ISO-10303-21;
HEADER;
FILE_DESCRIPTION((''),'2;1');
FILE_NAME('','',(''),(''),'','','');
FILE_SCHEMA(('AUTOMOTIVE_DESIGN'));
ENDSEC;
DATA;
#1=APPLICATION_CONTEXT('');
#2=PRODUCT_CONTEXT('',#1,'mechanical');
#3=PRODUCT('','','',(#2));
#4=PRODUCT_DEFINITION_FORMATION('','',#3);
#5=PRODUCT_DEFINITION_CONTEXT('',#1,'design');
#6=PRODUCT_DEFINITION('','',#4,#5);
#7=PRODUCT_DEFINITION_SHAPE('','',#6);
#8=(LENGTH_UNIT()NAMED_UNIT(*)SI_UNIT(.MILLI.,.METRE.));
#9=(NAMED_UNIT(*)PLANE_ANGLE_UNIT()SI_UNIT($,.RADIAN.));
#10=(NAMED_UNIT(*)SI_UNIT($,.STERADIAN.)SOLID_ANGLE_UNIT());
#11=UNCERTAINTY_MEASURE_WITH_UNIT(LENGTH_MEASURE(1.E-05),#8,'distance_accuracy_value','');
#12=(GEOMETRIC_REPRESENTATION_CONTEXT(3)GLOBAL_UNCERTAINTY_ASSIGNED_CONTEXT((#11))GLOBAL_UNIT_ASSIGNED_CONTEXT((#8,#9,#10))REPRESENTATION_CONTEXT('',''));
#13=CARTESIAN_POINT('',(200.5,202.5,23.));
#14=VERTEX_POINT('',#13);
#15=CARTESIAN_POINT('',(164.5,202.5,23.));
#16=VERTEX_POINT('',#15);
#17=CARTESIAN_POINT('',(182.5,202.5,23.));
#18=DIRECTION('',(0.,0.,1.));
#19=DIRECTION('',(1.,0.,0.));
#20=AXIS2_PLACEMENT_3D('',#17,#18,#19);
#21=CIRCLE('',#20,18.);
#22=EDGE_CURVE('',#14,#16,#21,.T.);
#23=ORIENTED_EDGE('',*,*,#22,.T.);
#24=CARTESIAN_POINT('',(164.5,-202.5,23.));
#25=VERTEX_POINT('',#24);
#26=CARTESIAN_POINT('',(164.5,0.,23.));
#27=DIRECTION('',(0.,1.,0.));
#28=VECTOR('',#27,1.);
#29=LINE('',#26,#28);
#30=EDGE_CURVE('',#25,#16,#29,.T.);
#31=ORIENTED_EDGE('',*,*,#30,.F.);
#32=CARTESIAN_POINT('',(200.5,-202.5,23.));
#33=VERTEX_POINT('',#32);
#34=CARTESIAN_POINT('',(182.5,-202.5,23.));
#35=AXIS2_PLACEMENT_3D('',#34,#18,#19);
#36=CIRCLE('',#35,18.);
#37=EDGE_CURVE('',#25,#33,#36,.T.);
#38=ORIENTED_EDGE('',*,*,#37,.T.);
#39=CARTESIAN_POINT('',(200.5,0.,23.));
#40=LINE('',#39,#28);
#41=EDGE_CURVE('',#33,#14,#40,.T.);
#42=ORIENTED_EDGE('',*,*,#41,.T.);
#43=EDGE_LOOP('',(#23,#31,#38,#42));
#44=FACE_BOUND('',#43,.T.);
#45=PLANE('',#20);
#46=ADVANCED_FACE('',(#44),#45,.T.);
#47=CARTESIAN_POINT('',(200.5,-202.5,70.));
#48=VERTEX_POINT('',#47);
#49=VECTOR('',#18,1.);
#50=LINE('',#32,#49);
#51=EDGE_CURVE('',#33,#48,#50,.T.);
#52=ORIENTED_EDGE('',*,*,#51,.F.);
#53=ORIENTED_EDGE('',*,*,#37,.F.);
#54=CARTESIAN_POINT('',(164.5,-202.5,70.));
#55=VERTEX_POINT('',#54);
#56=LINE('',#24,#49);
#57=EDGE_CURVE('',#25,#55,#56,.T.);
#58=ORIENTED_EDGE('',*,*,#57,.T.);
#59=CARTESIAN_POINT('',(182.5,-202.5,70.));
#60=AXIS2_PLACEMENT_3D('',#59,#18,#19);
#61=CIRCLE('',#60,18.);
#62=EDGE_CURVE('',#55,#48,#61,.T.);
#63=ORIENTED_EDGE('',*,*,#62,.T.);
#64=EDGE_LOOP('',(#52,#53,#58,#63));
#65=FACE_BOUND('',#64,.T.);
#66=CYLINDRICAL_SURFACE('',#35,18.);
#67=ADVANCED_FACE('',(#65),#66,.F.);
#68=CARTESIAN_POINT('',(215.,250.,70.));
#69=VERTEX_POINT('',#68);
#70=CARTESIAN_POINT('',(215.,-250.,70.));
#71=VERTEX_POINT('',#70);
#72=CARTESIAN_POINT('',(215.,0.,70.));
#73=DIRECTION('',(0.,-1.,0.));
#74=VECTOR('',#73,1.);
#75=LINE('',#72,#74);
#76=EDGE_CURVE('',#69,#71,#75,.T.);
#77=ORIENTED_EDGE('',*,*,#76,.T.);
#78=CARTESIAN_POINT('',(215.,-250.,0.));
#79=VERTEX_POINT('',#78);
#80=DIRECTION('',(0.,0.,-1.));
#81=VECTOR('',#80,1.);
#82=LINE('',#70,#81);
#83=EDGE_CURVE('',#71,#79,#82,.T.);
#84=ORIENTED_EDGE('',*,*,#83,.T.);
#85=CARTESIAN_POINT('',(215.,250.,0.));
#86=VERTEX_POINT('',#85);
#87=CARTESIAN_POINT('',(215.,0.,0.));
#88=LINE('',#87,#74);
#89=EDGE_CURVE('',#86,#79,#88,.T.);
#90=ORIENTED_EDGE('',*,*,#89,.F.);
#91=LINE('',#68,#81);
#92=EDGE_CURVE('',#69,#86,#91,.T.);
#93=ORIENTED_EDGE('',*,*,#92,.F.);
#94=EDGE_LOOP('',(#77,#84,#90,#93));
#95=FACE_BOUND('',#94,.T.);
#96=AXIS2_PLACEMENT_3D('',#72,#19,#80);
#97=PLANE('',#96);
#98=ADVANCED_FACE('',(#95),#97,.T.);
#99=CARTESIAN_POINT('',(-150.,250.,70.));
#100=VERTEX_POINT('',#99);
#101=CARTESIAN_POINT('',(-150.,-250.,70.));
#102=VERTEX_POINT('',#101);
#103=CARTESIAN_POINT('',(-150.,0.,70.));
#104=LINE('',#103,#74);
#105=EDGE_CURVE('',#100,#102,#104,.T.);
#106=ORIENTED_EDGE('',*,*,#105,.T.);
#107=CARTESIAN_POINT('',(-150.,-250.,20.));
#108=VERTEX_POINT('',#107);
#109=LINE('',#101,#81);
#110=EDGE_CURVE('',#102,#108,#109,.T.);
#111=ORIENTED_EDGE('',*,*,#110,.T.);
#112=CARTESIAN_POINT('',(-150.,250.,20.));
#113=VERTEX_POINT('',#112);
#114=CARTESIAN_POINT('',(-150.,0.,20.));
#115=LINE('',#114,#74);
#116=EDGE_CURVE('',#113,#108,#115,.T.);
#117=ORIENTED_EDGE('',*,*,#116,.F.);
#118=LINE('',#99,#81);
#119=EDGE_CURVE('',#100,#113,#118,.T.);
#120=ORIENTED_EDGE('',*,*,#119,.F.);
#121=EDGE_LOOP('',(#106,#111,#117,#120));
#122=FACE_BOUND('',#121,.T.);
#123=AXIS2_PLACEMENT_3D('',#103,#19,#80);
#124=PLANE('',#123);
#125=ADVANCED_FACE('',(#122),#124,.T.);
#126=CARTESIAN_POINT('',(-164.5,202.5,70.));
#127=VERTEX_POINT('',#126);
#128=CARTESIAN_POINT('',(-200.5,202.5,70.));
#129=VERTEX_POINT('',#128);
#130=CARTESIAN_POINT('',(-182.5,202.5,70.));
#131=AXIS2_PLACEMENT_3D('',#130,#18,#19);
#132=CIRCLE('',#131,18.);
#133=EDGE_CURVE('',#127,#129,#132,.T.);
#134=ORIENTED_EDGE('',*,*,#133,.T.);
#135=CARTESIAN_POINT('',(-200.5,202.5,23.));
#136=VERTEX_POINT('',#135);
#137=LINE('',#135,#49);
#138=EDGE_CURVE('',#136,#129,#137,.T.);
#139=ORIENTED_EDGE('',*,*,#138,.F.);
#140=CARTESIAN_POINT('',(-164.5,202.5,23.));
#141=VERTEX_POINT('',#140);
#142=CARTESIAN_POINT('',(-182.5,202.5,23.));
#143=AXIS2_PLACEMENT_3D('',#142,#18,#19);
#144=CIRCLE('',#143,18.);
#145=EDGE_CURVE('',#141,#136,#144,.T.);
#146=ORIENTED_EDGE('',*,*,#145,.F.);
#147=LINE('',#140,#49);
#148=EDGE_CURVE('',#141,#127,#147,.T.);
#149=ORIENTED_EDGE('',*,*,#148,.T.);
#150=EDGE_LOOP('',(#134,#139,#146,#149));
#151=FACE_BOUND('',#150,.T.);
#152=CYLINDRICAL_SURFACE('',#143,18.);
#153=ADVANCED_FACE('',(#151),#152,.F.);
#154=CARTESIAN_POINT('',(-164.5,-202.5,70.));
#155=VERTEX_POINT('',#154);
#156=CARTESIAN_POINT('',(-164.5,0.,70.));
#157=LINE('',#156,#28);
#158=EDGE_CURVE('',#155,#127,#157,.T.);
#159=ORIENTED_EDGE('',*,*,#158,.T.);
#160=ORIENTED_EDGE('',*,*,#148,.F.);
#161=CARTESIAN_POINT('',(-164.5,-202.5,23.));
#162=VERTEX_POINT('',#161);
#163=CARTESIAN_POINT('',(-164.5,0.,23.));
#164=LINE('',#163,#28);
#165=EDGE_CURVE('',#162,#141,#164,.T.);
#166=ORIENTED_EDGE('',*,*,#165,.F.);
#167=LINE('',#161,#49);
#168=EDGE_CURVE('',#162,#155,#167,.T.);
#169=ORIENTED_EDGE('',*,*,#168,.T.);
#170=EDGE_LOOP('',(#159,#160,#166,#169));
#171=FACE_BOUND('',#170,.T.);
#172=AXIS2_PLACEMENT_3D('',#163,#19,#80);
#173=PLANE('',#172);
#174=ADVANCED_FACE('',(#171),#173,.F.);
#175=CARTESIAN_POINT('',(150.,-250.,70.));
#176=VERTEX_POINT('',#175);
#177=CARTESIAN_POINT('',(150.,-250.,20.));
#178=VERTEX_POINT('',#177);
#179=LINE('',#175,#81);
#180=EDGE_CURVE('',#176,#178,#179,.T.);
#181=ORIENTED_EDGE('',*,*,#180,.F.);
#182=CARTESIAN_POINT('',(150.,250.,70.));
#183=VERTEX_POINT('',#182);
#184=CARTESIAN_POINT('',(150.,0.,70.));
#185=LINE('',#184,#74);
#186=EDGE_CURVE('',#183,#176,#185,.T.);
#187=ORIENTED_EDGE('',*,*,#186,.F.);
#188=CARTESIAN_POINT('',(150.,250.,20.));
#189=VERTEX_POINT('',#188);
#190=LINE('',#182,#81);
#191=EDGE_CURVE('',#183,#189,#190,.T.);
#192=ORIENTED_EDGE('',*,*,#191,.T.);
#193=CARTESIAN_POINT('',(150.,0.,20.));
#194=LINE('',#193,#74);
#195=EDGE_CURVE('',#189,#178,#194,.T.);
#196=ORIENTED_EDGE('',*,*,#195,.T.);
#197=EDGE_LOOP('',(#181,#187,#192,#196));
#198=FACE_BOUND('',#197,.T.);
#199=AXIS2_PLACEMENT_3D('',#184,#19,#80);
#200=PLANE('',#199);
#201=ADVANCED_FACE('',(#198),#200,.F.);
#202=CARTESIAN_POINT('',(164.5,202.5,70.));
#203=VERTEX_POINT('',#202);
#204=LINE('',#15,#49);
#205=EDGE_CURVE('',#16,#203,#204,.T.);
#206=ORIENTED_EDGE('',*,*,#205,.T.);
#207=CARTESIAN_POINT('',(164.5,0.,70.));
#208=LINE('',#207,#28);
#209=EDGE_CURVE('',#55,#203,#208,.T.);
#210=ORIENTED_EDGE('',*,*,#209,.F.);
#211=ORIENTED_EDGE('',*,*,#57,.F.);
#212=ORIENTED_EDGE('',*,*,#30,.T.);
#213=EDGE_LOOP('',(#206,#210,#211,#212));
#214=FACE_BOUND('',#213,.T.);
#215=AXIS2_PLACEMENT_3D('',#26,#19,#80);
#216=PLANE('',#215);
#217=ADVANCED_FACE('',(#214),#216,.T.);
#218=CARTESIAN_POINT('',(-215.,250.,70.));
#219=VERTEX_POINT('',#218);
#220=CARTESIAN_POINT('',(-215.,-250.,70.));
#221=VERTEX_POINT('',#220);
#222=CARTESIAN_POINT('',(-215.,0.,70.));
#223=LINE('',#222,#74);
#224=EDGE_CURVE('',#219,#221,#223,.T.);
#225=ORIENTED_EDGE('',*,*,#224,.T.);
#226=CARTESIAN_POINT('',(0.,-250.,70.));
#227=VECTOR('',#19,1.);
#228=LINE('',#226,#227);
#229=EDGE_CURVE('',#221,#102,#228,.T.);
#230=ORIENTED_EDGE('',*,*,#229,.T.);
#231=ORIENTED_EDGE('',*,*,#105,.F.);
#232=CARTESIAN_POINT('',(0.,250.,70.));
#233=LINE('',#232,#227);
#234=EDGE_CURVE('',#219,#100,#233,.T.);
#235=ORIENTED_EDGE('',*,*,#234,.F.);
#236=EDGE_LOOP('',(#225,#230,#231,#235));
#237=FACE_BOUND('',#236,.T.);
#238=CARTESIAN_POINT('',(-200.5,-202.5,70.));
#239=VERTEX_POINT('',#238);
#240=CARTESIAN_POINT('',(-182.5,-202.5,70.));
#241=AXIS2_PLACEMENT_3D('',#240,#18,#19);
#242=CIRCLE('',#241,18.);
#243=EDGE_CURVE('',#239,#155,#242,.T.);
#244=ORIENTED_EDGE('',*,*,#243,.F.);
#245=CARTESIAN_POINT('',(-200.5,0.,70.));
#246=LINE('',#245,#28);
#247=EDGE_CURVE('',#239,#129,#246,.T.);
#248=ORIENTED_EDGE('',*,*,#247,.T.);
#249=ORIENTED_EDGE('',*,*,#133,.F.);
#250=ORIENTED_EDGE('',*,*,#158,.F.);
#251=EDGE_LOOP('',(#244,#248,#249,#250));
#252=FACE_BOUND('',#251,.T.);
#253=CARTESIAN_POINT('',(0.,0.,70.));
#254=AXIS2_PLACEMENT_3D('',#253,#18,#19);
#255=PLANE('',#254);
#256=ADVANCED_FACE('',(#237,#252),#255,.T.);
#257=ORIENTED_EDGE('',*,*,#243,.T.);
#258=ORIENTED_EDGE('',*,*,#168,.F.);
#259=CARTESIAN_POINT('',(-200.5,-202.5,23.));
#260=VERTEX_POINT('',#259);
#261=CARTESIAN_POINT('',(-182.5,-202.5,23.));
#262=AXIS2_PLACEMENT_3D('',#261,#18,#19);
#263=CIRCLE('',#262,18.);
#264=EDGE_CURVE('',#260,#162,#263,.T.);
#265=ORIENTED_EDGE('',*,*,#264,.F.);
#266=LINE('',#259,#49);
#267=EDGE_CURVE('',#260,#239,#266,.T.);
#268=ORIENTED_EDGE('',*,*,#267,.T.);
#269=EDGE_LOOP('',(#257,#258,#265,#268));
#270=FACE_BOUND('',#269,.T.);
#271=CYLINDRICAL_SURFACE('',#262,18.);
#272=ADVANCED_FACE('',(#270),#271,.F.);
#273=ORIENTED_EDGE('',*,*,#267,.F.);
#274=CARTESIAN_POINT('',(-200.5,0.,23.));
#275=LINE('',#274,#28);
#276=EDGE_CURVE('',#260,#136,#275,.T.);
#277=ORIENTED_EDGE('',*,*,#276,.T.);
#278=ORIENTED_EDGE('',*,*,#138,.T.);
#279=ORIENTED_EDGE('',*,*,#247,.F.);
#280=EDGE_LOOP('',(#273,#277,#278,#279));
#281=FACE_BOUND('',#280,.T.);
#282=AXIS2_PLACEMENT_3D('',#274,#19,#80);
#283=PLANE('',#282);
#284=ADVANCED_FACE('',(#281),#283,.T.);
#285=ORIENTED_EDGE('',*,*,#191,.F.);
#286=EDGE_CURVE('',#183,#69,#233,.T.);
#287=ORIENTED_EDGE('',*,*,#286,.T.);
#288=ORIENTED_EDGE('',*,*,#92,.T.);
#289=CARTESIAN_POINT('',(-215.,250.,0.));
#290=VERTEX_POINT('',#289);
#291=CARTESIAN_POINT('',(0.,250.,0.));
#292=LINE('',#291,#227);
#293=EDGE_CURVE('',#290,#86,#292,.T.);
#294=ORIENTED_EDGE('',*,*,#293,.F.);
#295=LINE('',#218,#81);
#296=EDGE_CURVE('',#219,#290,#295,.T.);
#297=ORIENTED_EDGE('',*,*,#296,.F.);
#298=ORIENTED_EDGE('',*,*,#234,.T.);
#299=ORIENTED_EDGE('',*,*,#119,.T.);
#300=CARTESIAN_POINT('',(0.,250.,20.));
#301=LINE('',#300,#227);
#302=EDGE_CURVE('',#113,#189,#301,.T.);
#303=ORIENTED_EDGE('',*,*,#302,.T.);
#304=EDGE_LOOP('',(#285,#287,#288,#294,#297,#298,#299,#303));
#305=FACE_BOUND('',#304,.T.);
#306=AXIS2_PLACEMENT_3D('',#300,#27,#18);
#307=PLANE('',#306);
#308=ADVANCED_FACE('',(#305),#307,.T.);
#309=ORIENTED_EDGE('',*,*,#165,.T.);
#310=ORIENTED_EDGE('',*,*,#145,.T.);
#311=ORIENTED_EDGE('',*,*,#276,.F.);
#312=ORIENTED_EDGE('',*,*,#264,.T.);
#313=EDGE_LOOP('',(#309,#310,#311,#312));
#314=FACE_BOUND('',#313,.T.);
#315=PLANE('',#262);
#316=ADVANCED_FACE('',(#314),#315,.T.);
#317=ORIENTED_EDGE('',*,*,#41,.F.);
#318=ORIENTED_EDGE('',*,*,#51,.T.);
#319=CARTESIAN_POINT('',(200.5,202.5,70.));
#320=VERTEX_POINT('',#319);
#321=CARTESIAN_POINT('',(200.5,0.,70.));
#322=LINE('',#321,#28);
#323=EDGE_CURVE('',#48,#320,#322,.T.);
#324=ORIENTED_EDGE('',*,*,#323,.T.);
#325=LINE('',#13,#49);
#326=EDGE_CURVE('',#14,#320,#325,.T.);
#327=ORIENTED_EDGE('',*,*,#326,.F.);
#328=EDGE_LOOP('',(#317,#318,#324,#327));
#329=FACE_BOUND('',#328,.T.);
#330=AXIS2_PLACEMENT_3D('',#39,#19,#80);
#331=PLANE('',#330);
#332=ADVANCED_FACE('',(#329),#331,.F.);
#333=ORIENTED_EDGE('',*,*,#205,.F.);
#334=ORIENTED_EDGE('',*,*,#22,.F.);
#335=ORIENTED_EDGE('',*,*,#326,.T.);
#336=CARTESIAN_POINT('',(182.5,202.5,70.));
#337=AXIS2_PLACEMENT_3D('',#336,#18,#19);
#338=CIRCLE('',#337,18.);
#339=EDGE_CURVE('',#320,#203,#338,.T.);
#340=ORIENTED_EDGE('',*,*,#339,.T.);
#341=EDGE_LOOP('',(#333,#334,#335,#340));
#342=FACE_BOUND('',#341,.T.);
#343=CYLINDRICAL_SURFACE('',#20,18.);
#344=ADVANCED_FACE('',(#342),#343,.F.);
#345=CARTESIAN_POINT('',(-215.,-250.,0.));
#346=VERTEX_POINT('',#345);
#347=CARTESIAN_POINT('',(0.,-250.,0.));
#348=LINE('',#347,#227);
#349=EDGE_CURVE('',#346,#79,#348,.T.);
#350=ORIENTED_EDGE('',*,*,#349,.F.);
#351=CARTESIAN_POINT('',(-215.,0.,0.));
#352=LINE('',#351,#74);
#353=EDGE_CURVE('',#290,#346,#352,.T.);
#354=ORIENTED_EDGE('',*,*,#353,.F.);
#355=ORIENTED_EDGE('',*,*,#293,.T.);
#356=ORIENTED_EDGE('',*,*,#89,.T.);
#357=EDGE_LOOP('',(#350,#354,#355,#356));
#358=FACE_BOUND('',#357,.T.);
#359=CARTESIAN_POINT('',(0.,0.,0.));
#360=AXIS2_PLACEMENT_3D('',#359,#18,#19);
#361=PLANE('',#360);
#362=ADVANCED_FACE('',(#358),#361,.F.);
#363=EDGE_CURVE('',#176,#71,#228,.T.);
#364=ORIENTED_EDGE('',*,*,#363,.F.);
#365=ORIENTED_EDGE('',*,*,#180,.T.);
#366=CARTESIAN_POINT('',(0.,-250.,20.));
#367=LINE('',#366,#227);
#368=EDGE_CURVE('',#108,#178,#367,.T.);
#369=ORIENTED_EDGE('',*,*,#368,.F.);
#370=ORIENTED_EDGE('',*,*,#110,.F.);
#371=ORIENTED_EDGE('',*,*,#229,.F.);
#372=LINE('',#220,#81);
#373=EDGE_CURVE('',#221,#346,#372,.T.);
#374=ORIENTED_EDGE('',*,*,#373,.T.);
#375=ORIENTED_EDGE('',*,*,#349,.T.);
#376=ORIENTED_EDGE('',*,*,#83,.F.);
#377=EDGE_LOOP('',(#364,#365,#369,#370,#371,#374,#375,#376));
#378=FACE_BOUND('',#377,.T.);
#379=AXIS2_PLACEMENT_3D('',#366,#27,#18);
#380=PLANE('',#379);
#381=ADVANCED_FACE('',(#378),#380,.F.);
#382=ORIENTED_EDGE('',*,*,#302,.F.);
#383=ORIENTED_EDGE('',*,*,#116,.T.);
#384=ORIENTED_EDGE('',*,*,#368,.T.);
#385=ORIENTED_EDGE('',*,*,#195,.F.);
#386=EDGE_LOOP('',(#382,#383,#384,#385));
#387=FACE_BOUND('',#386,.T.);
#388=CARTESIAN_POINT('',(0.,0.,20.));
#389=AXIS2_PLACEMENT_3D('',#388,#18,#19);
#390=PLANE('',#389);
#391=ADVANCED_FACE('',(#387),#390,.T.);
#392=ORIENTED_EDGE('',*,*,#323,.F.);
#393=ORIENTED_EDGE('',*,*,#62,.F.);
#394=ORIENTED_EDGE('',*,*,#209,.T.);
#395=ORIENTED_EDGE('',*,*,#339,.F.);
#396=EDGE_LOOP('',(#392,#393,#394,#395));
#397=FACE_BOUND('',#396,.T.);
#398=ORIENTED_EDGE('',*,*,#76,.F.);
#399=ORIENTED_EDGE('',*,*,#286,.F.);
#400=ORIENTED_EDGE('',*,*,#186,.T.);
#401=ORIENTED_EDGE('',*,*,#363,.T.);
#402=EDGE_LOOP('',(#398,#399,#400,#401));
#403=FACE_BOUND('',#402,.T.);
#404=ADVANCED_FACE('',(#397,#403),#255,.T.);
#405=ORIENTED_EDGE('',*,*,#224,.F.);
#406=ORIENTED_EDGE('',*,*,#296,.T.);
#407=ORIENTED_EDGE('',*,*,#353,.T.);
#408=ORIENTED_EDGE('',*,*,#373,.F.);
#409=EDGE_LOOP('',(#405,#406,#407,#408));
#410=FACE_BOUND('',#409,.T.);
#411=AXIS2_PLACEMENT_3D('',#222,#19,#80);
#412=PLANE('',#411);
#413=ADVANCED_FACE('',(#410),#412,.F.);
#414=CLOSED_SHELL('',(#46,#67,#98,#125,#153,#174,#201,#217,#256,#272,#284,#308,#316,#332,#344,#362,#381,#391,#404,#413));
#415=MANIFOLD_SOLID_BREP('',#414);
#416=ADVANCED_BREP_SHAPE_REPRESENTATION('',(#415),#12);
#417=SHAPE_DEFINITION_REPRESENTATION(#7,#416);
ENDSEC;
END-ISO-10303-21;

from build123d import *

# Parameters (mm, degrees)
SKETCH1_W           = 300
SKETCH1_H           = 500
BOSS_EXTRUDE1_DEPTH = 20
SKETCH1_3_W         = 65
SKETCH1_3_H         = 500
BOSS_EXTRUDE2_DEPTH = 70
CUT_EXTRUDE1_START  = 70
CUT_EXTRUDE1_DEPTH  = 47


with BuildPart() as part:
    # Sketch1 → Boss-Extrude1 (new body)
    with BuildSketch(Plane.XY):
        Rectangle(SKETCH1_W, SKETCH1_H)
    extrude(amount=BOSS_EXTRUDE1_DEPTH)

    # Sketch1<3> → Boss-Extrude2 (add)
    with BuildSketch(Plane.XY):
        with Locations((182.5, 0)):
            Rectangle(SKETCH1_3_W, SKETCH1_3_H)
        with Locations((-182.5, 0)):
            Rectangle(SKETCH1_3_W, SKETCH1_3_H)
    extrude(amount=BOSS_EXTRUDE2_DEPTH)

    # Sketch1<5> → Cut-Extrude1 (cut)
    with BuildSketch(Plane.XY.offset(CUT_EXTRUDE1_START)):
        with BuildLine():
            Line((-164.5, 202.5), (-164.5, -202.5))
            ThreePointArc((-164.5, -202.5), (-182.5, -220.5), (-200.5, -202.5))
            Line((-200.5, -202.5), (-200.5, 202.5))
            ThreePointArc((-200.5, 202.5), (-182.5, 220.5), (-164.5, 202.5))
        make_face()
        with BuildLine():
            Line((164.5, 202.5), (164.5, -202.5))
            ThreePointArc((164.5, -202.5), (182.5, -220.5), (200.5, -202.5))
            Line((200.5, -202.5), (200.5, 202.5))
            ThreePointArc((200.5, 202.5), (182.5, 220.5), (164.5, 202.5))
        make_face()
    extrude(amount=-CUT_EXTRUDE1_DEPTH, mode=Mode.SUBTRACT)


solid = part.part
